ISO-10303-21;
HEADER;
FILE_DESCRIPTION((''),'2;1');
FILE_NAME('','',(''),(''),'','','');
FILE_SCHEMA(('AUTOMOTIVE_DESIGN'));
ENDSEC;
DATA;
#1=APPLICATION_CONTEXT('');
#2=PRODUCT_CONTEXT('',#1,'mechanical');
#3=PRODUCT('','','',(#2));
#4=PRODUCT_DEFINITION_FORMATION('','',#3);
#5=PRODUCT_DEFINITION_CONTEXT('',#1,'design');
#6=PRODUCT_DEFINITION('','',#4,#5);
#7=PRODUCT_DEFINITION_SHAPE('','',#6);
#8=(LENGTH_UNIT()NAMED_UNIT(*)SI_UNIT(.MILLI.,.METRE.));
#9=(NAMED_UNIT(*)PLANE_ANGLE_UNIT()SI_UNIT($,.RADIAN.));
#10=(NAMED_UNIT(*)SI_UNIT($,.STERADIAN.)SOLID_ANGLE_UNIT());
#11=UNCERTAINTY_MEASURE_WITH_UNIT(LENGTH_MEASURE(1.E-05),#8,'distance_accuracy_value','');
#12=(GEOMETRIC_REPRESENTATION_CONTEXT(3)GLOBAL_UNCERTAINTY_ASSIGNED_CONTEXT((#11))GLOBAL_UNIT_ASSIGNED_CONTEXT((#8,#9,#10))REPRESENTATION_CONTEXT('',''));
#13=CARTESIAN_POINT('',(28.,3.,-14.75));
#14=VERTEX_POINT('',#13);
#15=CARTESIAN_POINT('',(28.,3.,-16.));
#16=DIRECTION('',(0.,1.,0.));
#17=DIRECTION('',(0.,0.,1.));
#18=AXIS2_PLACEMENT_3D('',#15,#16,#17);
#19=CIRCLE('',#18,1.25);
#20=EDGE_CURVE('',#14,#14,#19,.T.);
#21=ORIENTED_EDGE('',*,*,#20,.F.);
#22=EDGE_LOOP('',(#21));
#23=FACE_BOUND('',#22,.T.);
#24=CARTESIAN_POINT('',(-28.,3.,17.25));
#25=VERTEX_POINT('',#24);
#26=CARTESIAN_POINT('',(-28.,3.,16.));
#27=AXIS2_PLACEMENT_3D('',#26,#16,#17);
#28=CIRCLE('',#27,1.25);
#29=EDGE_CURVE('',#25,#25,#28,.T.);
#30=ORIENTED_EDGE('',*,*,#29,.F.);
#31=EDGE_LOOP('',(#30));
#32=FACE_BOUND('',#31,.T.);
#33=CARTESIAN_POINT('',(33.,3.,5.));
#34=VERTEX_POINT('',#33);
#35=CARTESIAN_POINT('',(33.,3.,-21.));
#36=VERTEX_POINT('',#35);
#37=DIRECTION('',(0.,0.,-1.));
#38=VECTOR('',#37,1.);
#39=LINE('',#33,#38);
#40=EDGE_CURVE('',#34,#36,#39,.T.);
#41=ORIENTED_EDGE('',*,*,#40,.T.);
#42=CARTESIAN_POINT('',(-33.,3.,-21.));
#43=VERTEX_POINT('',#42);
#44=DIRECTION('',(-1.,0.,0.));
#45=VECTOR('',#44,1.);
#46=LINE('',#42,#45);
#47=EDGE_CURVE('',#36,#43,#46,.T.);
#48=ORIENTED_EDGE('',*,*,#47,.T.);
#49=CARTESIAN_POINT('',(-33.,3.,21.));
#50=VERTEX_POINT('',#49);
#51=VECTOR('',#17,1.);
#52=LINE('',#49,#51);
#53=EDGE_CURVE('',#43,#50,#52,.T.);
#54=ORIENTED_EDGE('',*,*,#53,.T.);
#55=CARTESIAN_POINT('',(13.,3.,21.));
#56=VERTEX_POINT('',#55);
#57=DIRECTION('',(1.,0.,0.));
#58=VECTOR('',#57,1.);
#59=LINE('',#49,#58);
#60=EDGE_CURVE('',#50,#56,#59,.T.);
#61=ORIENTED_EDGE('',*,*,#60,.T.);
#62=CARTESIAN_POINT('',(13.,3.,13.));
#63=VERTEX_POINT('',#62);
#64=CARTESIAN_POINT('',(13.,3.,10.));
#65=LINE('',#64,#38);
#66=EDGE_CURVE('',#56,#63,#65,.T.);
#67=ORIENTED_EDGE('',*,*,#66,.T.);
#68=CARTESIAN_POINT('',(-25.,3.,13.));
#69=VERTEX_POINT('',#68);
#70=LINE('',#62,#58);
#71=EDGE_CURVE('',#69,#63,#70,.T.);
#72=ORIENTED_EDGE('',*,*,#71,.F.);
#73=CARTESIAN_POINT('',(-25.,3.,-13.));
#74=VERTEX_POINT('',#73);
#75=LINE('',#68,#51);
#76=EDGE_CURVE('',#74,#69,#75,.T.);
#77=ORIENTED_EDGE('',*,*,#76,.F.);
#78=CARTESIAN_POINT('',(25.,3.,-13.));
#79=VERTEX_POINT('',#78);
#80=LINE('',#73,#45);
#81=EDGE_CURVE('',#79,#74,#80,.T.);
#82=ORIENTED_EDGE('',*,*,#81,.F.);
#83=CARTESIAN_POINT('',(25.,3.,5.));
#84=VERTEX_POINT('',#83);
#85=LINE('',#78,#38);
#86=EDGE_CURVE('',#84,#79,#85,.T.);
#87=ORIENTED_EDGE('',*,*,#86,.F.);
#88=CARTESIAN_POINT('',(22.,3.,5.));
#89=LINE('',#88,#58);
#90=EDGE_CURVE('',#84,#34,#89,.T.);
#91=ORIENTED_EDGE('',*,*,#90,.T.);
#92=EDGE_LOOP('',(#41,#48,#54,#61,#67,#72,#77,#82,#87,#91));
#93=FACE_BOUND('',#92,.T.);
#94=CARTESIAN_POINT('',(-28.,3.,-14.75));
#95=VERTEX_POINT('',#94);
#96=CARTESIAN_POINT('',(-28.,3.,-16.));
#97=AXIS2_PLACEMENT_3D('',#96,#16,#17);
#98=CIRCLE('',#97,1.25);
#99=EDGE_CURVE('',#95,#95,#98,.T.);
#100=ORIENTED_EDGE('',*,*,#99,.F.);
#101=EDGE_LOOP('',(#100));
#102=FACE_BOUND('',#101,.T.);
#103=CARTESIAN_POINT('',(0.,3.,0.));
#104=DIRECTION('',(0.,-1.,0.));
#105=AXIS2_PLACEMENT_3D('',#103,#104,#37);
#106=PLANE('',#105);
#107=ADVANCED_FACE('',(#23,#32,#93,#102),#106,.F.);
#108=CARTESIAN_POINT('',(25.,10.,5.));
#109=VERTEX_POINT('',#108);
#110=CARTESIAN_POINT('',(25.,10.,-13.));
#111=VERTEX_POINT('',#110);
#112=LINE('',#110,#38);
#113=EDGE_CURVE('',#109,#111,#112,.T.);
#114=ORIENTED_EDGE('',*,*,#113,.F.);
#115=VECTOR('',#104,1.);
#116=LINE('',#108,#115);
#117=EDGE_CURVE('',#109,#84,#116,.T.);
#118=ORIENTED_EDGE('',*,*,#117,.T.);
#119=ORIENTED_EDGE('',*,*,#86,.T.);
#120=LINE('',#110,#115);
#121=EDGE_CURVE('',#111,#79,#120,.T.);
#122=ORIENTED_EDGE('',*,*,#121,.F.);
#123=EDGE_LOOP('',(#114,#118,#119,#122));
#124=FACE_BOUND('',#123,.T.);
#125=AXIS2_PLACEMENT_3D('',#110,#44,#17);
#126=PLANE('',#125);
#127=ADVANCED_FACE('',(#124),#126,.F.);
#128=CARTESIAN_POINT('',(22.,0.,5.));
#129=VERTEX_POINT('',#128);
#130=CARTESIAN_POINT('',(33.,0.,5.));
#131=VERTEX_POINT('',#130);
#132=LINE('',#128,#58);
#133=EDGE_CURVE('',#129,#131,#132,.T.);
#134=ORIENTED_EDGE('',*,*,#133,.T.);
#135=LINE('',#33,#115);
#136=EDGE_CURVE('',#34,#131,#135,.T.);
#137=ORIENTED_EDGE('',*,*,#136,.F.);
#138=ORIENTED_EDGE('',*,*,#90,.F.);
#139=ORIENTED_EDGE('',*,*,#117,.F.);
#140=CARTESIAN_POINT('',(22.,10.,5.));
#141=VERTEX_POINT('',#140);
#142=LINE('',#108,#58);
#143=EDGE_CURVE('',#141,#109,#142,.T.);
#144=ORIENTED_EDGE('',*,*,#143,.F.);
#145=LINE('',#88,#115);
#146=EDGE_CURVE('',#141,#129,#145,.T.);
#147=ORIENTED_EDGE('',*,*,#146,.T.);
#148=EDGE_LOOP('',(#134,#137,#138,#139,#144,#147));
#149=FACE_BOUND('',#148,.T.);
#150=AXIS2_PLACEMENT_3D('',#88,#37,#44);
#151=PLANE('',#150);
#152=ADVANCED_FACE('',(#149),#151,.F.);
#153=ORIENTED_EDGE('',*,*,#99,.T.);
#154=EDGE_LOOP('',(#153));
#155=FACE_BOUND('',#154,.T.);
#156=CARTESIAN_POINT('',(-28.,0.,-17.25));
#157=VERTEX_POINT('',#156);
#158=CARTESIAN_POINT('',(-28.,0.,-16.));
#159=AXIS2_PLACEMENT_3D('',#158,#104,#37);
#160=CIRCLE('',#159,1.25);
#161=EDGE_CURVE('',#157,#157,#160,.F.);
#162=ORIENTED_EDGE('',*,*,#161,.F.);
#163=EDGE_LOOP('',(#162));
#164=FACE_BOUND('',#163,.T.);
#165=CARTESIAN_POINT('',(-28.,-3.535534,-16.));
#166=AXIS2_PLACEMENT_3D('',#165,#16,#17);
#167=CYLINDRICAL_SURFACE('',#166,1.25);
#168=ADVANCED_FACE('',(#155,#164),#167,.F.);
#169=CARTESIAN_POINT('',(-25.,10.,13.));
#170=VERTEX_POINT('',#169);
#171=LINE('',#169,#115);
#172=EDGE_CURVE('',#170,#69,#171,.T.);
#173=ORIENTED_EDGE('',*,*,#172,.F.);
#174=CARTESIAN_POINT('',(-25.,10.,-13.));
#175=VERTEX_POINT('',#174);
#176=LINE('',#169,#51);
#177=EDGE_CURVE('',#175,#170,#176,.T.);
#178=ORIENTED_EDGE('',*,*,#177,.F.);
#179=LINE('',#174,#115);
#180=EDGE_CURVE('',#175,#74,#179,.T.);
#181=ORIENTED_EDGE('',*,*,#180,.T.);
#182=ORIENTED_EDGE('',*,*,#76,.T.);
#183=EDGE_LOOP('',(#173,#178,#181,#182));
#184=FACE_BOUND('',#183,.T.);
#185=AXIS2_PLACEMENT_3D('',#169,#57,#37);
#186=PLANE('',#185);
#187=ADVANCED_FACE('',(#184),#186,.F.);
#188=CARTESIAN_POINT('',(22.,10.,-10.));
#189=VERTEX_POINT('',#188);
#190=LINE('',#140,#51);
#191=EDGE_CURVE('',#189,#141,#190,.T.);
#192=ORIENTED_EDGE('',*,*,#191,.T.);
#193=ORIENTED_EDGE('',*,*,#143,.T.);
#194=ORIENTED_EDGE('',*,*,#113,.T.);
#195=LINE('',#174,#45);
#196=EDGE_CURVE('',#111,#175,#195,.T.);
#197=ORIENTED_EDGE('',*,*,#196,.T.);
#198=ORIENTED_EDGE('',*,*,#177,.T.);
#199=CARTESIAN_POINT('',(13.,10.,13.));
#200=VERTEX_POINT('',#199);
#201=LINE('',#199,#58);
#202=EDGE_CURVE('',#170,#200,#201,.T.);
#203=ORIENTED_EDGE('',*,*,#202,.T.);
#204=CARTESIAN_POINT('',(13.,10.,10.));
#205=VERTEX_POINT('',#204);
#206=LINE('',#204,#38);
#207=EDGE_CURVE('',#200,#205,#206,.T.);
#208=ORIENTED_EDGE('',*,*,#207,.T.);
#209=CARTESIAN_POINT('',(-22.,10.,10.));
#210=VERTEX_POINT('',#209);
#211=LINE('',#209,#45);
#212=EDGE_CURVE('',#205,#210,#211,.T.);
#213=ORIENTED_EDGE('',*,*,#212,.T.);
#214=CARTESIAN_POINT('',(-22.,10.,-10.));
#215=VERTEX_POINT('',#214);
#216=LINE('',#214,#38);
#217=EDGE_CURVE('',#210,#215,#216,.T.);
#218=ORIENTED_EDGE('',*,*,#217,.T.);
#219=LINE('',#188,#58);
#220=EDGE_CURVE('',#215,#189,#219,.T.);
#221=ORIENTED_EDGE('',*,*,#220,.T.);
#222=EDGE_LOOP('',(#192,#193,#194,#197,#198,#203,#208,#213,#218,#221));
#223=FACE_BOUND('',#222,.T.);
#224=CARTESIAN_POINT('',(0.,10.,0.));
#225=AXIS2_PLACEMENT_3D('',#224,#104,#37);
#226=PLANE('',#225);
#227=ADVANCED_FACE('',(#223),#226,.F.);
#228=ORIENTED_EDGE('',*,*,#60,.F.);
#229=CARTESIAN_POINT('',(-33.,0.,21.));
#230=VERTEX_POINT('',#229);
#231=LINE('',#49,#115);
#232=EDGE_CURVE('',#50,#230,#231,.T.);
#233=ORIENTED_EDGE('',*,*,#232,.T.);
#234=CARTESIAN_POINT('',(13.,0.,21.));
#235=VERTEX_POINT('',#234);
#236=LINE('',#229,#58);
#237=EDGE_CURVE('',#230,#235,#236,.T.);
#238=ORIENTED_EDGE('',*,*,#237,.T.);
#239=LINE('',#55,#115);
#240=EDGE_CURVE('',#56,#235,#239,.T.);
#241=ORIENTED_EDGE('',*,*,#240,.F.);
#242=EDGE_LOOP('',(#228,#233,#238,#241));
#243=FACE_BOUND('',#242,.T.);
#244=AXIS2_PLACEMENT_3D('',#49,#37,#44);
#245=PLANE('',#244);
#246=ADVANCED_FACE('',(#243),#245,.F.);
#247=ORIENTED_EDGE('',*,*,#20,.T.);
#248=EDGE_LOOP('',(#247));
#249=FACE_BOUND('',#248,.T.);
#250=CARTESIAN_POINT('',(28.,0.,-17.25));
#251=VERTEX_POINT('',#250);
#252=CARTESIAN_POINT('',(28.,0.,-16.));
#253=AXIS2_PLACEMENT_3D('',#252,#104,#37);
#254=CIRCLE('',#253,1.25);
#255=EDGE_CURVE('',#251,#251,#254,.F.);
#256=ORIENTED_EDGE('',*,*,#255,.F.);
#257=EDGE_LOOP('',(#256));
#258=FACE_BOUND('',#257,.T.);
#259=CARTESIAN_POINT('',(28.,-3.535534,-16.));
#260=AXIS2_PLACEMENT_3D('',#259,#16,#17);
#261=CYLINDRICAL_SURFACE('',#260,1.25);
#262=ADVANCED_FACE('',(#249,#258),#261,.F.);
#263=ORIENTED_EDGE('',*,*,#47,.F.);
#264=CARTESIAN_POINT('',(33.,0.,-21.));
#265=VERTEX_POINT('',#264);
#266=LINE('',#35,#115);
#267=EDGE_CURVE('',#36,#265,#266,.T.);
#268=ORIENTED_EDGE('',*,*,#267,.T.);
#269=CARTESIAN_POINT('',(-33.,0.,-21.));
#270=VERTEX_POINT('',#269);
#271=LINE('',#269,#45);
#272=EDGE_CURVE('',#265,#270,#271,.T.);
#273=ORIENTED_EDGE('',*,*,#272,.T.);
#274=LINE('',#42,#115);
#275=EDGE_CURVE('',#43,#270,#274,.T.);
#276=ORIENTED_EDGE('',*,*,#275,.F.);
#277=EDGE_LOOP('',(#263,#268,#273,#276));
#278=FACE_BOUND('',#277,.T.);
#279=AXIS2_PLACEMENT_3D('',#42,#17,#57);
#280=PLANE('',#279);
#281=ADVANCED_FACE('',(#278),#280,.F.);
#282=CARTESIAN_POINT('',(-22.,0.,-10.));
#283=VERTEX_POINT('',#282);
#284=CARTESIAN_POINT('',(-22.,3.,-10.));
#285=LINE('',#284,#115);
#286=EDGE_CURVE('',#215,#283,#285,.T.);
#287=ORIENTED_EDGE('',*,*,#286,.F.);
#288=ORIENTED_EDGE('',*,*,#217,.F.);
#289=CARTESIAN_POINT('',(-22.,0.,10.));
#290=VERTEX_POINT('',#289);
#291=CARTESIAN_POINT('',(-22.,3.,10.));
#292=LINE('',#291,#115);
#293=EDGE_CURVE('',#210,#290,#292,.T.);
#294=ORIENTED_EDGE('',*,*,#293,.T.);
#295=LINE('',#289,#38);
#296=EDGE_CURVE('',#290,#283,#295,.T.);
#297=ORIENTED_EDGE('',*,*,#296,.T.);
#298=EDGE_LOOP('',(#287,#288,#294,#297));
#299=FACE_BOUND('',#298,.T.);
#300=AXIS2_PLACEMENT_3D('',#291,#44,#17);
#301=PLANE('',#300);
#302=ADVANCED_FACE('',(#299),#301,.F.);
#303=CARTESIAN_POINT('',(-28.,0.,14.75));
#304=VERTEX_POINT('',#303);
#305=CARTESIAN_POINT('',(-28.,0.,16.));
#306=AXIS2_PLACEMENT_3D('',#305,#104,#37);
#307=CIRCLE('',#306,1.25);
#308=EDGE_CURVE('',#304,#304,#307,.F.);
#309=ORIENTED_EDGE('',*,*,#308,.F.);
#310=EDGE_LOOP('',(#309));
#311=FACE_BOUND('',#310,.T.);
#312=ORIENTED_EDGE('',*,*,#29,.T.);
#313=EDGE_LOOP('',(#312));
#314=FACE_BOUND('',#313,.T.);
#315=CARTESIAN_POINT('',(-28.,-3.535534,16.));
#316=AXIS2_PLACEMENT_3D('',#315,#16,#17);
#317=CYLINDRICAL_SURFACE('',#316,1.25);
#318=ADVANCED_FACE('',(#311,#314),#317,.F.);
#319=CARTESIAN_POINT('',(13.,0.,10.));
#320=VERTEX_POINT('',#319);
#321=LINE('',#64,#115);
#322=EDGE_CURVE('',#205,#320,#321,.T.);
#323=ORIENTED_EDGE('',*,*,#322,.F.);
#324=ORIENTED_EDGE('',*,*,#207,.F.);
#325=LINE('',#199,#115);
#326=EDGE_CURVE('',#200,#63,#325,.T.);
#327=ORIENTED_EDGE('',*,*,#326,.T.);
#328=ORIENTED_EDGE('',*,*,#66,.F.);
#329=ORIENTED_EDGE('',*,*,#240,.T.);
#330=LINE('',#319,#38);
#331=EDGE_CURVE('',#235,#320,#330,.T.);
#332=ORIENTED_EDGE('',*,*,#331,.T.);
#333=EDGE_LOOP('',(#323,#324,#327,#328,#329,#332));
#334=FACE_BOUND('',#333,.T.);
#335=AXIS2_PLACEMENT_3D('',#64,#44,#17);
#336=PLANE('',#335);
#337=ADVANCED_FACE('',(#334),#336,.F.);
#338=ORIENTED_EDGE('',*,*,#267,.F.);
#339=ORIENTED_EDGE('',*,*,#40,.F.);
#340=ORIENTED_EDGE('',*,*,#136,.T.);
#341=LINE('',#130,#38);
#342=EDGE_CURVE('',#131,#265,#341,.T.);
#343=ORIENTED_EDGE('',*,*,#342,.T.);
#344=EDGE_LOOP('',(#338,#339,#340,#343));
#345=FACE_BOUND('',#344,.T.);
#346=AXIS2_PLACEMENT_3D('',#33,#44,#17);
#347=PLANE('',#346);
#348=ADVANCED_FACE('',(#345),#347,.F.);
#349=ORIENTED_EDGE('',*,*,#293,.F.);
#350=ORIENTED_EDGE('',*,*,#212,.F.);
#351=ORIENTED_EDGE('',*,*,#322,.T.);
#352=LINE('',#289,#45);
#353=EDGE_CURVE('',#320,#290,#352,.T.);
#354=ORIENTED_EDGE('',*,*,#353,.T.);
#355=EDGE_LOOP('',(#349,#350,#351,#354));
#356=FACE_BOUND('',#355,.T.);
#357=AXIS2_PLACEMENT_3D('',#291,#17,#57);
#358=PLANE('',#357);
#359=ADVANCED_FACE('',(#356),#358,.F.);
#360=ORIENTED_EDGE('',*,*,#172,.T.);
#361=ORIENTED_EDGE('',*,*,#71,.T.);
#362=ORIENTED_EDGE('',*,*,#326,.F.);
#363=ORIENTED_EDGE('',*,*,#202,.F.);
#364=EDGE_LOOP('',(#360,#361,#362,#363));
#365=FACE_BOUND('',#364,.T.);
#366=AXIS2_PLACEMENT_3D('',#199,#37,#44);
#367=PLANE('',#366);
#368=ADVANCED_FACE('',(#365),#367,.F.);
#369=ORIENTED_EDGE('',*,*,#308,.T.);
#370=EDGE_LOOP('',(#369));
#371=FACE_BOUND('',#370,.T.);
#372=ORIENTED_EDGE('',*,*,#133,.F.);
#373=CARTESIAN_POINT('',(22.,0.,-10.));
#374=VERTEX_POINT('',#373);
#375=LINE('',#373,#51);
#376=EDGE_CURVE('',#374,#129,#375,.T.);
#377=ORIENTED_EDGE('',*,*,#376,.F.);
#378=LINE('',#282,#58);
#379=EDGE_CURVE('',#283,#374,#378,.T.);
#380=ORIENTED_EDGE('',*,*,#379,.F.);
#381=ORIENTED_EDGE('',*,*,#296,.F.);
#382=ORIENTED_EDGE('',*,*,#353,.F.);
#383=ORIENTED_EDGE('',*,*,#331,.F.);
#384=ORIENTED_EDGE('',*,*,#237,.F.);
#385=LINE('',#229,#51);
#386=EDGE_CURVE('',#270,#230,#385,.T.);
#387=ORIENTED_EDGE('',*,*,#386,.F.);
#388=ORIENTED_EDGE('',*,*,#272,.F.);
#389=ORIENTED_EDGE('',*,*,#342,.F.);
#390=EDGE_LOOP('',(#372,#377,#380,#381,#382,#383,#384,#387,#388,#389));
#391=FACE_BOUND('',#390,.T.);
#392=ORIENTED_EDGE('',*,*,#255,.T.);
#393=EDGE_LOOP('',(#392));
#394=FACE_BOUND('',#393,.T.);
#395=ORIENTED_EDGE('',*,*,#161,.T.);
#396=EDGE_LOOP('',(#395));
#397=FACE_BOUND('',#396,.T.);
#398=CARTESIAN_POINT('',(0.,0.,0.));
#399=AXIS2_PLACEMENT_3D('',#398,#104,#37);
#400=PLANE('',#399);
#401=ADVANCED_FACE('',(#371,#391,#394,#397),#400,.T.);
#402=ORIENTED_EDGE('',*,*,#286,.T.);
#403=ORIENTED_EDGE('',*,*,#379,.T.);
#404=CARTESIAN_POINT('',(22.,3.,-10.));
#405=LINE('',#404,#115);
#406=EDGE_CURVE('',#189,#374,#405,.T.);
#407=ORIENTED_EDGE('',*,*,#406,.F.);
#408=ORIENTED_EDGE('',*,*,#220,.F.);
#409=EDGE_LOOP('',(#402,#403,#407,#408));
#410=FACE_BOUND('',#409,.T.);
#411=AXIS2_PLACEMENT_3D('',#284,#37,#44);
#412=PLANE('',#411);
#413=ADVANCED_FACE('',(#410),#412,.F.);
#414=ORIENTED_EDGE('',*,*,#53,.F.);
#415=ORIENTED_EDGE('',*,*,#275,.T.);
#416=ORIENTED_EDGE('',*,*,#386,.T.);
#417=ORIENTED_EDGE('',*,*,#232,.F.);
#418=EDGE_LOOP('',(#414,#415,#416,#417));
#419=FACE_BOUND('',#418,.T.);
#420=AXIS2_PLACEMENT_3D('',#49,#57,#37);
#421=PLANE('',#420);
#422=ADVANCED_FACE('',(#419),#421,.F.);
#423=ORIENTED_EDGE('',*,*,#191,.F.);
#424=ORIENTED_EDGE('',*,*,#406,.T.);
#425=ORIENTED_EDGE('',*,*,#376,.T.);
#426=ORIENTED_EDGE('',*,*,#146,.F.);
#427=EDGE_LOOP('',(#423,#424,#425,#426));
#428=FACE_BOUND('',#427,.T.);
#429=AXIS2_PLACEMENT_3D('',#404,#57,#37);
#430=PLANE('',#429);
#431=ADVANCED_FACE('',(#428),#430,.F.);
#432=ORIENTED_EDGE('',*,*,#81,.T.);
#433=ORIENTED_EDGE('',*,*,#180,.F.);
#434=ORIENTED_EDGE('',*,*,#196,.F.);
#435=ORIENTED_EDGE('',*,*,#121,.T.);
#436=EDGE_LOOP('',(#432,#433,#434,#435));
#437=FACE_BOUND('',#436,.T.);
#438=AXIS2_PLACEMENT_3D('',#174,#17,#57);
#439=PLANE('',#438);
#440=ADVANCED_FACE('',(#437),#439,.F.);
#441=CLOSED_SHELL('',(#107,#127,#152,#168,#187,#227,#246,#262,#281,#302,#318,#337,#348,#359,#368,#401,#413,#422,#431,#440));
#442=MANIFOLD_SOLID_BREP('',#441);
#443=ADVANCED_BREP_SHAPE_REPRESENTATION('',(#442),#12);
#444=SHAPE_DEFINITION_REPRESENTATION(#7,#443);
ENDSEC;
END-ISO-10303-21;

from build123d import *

# Parameters (mm, degrees)
BASE_DEPTH       = 3
WALL_DEPTH       = 7
SKETCH3_R        = 1.25
BOLT_SLOTS_DEPTH = 3


with BuildPart() as part:
    # Sketch1 → base (new body)
    with BuildSketch(Plane(origin=(0, 0, 0), x_dir=(1, 0, 0), z_dir=(0, 1, 0))):
        Polygon((13, -10), (13, -21), (-33, -21), (-33, 21), (33, 21), (33, -5), (22, -5), (22, 10), (-22, 10), (-22, -10), align=None)
    extrude(amount=BASE_DEPTH)

    # Sketch2 → wall (add)
    with BuildSketch(Plane(origin=(0, 3, 0), x_dir=(1, 0, 0), z_dir=(0, 1, 0))):
        Polygon((13, -10), (13, -13), (-25, -13), (-25, 13), (25, 13), (25, -5), (22, -5), (22, 10), (-22, 10), (-22, -10), align=None)
    extrude(amount=WALL_DEPTH)

    # Sketch3 → bolt slots (cut)
    with BuildSketch(Plane(origin=(0, 3, 0), x_dir=(1, 0, 0), z_dir=(0, 1, 0))):
        with Locations(Location((-28, -16, 0), (0, 0, 270))):
            Circle(SKETCH3_R)
        with Locations(Location((-28, 16, 0), (0, 0, 270))):
            Circle(SKETCH3_R)
        with Locations(Location((28, 16, 0), (0, 0, 270))):
            Circle(SKETCH3_R)
    extrude(amount=-BOLT_SLOTS_DEPTH, mode=Mode.SUBTRACT)


solid = part.part
